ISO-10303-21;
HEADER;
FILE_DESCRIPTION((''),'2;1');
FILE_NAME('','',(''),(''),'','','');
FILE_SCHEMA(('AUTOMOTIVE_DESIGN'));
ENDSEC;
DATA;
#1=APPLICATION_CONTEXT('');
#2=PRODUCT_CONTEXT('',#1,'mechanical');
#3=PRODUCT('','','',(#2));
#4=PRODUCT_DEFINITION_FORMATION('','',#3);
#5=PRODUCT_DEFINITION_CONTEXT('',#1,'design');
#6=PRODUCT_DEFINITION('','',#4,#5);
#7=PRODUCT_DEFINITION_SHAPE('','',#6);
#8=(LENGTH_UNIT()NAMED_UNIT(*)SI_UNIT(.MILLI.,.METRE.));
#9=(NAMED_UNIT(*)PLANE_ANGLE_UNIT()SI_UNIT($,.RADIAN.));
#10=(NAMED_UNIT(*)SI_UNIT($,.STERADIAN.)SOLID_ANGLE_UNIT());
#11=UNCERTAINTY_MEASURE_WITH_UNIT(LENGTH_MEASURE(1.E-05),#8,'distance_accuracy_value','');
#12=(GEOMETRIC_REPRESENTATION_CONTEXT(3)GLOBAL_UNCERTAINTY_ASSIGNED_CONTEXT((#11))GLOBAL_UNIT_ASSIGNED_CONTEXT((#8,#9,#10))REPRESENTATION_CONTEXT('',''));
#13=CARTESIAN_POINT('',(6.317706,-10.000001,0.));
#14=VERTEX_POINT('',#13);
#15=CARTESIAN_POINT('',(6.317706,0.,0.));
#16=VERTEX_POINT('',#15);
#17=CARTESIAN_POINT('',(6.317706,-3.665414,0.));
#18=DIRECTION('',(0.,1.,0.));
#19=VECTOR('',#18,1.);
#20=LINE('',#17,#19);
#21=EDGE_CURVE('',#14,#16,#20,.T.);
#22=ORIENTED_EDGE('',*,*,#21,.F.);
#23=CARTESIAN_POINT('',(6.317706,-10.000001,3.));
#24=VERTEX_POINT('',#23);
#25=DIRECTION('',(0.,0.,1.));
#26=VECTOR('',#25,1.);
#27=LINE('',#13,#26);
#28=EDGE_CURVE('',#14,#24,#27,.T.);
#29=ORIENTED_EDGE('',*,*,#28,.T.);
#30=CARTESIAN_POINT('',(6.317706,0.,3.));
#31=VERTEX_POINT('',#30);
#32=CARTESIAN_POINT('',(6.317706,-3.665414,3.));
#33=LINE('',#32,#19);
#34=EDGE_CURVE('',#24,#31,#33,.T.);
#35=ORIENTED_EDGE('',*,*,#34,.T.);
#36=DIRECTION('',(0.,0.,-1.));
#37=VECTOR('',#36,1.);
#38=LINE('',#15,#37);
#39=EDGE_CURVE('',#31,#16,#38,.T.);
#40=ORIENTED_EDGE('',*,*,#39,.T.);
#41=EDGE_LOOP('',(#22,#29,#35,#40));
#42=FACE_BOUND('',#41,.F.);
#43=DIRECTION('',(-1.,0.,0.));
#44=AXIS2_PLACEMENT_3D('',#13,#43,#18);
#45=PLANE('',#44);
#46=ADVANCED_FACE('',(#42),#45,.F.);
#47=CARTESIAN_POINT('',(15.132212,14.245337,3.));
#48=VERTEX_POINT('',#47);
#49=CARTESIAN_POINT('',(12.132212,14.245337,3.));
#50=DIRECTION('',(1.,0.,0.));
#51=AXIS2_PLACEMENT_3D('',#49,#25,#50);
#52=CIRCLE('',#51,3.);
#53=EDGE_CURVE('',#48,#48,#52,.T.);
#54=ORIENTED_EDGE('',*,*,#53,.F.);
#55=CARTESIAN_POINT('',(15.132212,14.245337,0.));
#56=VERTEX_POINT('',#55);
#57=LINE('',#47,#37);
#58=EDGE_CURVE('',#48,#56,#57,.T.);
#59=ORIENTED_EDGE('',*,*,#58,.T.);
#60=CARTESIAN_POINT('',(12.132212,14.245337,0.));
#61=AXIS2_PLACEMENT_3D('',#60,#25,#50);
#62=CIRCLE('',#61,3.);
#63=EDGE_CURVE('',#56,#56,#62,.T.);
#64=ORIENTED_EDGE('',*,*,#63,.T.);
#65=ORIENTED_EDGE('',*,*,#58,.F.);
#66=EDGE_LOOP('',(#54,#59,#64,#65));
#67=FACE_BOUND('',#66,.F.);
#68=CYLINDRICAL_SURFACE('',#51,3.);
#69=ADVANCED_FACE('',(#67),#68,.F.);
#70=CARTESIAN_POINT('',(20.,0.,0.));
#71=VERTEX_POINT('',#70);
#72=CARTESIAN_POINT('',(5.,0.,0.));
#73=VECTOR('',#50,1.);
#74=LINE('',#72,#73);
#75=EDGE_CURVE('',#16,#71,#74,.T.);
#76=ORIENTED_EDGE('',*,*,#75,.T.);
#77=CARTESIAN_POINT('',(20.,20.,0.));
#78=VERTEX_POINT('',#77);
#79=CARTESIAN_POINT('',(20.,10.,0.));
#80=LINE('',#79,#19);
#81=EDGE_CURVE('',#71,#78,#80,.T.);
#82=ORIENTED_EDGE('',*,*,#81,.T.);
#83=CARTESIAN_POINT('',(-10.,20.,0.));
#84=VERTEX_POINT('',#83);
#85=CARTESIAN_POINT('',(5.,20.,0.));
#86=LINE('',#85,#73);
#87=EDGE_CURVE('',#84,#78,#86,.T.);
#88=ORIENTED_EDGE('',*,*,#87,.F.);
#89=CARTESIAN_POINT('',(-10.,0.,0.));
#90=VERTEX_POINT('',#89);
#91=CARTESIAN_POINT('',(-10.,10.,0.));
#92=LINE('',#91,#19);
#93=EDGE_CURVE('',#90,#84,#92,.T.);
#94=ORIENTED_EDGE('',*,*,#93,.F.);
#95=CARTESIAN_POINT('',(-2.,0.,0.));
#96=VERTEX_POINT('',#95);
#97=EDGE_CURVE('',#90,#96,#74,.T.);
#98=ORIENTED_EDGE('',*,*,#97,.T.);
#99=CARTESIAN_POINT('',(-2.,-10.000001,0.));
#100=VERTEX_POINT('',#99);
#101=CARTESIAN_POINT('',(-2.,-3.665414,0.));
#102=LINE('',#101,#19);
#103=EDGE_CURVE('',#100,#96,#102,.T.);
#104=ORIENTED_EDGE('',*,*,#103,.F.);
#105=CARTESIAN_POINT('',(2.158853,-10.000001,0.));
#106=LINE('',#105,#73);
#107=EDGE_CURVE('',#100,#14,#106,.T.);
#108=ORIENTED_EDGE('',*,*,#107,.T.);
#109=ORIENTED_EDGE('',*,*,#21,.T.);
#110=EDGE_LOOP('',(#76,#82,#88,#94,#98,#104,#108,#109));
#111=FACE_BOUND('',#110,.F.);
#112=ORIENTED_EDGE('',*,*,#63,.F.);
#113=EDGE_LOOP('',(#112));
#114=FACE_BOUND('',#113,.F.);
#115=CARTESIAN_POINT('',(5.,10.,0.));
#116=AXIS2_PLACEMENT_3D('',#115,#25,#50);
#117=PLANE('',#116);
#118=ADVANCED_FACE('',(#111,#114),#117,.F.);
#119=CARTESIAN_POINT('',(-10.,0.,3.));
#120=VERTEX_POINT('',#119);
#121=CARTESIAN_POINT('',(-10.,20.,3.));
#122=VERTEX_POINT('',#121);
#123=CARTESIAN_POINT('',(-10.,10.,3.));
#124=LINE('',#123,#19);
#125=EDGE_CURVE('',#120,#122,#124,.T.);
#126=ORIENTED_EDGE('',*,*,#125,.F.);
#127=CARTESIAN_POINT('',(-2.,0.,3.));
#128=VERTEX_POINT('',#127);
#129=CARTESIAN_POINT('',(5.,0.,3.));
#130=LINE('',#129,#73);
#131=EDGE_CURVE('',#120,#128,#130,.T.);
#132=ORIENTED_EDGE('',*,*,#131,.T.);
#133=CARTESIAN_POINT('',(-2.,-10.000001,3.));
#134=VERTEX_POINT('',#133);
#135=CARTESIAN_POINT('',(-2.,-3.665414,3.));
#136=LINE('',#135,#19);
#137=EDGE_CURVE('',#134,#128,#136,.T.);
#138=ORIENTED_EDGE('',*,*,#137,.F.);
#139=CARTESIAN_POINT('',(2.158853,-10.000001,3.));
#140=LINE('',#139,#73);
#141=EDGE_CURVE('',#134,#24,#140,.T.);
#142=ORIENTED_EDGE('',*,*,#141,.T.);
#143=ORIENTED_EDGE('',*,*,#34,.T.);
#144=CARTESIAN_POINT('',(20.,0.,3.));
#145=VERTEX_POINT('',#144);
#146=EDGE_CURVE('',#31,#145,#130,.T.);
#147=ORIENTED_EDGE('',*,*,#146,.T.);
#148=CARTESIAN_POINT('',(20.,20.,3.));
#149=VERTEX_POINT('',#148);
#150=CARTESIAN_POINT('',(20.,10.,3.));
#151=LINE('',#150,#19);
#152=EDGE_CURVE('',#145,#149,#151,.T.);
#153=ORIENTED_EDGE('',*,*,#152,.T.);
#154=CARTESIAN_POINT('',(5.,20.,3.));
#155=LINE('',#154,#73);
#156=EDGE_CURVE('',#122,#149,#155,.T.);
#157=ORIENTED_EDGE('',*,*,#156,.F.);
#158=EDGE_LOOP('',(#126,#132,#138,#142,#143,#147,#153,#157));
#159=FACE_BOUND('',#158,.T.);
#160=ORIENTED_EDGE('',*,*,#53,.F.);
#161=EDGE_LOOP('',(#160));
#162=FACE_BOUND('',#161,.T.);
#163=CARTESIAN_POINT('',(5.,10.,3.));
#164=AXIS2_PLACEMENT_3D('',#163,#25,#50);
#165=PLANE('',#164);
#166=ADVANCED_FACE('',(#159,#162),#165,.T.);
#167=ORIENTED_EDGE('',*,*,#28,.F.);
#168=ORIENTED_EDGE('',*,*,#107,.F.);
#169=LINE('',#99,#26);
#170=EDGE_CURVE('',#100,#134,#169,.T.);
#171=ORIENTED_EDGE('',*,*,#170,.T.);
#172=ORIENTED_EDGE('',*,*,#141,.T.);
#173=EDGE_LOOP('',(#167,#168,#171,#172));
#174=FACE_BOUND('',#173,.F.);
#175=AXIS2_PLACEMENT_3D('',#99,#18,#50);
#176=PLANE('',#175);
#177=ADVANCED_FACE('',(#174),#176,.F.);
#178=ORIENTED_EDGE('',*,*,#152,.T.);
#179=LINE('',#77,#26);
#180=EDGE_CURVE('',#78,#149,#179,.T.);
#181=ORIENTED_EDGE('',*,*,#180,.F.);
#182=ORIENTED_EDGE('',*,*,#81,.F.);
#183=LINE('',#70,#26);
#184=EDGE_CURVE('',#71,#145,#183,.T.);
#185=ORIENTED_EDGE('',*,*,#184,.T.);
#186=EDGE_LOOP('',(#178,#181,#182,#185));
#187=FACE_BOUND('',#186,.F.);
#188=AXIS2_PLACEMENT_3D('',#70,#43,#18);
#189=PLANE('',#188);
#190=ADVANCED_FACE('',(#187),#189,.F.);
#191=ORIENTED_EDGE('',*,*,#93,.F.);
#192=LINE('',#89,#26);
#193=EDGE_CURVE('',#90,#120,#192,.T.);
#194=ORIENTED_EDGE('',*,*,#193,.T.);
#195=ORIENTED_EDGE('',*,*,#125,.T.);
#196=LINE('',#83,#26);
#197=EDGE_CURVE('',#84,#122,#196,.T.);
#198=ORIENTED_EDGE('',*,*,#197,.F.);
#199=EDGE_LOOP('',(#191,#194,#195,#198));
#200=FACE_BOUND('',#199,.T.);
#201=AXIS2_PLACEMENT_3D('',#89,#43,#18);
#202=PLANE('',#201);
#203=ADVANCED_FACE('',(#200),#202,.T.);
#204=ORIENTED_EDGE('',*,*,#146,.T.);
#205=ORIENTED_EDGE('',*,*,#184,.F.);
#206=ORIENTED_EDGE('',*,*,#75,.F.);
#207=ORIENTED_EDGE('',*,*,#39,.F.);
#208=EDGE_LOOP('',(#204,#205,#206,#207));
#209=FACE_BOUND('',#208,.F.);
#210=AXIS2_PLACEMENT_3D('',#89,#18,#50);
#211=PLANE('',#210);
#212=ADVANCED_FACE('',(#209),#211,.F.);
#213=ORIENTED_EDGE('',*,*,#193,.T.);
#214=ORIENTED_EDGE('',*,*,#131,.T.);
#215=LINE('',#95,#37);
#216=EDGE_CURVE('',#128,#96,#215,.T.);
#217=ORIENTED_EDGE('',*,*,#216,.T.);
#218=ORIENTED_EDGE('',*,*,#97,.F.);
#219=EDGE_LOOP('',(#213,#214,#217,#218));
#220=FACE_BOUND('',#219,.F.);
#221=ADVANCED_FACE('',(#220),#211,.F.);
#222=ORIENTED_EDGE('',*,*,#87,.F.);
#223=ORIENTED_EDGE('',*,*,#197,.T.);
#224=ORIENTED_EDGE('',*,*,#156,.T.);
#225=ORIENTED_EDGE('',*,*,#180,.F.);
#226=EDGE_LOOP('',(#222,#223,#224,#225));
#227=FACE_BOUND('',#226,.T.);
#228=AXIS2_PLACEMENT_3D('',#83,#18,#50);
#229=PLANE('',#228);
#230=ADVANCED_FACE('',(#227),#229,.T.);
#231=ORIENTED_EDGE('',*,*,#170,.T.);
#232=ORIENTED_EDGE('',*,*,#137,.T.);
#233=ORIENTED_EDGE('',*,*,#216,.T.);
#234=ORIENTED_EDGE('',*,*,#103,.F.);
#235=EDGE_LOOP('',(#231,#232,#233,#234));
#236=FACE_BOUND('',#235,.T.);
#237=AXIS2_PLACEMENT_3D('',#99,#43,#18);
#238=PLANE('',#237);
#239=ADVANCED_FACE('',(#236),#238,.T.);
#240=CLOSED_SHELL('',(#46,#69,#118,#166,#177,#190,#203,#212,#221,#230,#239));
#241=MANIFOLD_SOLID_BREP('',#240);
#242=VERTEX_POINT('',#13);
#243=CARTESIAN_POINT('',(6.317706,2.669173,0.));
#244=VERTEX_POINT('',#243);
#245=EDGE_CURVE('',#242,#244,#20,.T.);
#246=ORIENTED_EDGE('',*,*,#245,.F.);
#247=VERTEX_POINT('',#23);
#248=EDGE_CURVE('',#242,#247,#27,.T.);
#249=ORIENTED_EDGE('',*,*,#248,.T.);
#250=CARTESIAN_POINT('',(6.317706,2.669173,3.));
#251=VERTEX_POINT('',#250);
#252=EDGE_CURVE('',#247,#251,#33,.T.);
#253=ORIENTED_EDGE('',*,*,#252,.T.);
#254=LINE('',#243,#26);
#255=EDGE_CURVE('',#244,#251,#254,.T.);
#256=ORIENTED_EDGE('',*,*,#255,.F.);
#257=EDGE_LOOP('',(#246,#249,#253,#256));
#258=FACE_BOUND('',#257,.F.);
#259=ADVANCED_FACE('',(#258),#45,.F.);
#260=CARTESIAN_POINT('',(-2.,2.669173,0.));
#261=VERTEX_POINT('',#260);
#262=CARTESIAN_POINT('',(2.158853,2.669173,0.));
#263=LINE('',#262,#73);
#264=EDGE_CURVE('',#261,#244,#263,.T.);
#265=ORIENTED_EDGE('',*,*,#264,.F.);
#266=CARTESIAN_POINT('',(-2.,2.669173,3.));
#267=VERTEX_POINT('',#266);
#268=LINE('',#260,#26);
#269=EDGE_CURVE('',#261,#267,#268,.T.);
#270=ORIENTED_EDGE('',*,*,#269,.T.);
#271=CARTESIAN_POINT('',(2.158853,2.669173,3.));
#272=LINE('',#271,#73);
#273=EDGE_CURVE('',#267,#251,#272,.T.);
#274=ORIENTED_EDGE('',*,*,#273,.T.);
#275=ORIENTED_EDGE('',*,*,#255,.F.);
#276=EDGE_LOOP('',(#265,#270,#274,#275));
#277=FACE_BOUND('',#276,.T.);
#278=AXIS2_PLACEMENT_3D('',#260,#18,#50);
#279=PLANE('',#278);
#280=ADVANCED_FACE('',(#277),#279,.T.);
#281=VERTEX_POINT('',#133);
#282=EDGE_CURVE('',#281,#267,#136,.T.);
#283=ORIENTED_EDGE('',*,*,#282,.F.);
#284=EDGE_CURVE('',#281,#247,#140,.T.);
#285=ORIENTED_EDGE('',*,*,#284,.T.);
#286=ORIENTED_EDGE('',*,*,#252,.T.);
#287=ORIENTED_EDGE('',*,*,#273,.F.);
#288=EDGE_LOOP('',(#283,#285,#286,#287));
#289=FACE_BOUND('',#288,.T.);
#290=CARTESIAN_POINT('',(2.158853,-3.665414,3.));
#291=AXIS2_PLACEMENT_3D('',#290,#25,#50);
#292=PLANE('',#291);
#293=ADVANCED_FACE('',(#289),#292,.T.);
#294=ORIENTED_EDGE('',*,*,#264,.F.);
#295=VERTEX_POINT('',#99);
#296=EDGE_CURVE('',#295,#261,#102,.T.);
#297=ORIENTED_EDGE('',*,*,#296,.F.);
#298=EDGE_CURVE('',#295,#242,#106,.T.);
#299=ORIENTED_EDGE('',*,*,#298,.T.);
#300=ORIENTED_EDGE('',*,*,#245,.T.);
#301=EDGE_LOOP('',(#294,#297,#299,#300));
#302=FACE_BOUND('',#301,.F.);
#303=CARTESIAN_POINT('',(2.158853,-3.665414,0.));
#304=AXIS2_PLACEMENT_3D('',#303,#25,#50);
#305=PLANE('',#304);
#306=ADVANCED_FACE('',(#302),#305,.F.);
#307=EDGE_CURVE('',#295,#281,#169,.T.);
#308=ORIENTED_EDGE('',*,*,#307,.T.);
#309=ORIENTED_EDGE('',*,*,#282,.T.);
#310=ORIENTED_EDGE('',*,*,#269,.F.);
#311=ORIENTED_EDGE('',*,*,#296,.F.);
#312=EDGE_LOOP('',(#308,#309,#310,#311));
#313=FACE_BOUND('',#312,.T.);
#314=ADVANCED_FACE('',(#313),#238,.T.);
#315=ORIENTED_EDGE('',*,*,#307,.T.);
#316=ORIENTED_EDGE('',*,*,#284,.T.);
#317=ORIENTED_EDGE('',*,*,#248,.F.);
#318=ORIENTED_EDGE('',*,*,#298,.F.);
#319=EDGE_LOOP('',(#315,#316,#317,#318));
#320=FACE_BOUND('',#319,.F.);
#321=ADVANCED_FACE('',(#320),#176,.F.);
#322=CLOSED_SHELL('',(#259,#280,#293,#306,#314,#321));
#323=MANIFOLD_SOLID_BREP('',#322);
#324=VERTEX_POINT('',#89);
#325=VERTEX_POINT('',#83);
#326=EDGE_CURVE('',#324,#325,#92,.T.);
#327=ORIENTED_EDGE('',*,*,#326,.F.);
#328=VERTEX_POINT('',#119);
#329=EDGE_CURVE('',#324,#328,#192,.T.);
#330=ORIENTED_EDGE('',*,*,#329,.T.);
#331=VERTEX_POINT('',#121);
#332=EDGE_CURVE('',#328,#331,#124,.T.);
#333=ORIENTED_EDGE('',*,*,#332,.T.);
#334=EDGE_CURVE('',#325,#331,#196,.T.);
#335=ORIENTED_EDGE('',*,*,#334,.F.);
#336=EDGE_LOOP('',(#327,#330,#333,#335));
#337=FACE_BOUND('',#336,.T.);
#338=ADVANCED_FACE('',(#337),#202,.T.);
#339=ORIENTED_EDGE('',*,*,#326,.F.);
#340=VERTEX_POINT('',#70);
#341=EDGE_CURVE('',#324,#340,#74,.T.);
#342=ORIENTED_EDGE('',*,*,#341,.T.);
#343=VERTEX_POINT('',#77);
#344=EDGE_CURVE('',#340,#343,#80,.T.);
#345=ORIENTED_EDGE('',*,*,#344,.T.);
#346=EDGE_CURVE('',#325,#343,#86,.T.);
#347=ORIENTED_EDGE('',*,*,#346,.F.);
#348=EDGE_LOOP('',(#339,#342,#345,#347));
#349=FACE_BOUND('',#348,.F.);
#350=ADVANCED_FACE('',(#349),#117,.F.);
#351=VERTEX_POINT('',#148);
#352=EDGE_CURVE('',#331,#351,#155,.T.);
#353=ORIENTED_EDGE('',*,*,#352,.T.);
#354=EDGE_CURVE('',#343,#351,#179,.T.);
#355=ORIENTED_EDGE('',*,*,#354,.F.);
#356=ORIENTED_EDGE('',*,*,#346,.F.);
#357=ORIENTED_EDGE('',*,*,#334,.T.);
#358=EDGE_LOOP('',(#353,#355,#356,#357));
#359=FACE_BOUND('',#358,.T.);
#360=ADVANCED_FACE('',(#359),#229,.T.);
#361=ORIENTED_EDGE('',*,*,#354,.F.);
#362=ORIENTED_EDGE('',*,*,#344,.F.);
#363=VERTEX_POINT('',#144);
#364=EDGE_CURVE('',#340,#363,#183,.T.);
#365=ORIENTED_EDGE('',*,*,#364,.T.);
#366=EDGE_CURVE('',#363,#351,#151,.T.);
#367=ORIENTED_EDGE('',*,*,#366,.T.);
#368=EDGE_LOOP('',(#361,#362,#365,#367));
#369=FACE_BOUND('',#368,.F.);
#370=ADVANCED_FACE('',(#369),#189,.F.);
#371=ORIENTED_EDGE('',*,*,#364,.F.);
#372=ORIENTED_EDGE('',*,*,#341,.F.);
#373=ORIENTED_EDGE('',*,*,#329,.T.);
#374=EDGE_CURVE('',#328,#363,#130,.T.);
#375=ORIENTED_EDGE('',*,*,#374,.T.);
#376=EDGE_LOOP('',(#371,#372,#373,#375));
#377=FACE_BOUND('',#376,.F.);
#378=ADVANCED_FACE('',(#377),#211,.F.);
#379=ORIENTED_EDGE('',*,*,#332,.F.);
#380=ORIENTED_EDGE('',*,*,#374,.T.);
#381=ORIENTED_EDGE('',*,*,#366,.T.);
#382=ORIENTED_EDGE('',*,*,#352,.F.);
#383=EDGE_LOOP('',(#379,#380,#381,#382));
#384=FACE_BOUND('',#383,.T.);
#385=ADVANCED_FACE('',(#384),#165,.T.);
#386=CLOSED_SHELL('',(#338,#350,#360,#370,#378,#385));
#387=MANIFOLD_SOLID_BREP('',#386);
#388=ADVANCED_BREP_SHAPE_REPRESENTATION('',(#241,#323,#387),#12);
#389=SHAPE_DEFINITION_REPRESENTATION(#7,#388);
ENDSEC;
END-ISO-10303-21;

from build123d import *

# Parameters (mm, degrees)
RECTANGLE_W      = 8.317706
RECTANGLE_H      = 12.669173
EXTRUDE_DEPTH    = 3
RECTANGLE001_W   = 30
RECTANGLE001_H   = 20
EXTRUDE001_DEPTH = 3
RECTANGLE002_W   = 30
RECTANGLE002_H   = 20
EXTRUDE002_DEPTH = 3
RECTANGLE003_W   = 8.317706
RECTANGLE003_H   = 12.669173
EXTRUDE003_DEPTH = 3
SKETCH_R         = 3
HOLE_DEPTH       = 25


with BuildPart() as extrude_body:
    # Rectangle → Extrude (new body)
    with BuildSketch(Plane(origin=(-2, -10, 0), x_dir=(1, 0, 0), z_dir=(0, 0, 1))):
        with Locations((4.158853, 6.334586)):
            Rectangle(RECTANGLE_W, RECTANGLE_H)
    extrude(amount=EXTRUDE_DEPTH)


with BuildPart() as extrude001:
    # Rectangle001 → Extrude001 (new body)
    with BuildSketch(Plane(origin=(-10, 0, 0), x_dir=(1, 0, 0), z_dir=(0, 0, 1))):
        with Locations((15, 10)):
            Rectangle(RECTANGLE001_W, RECTANGLE001_H)
    extrude(amount=EXTRUDE001_DEPTH)


with BuildPart() as extrude002:
    # Rectangle002 → Extrude002 (new body)
    with BuildSketch(Plane(origin=(-10, 0, 0), x_dir=(1, 0, 0), z_dir=(0, 0, 1))):
        with Locations((15, 10)):
            Rectangle(RECTANGLE002_W, RECTANGLE002_H)
    extrude(amount=EXTRUDE002_DEPTH)


with BuildPart() as body:
    # Rectangle003 → Extrude003 (new body)
    with BuildSketch(Plane(origin=(-2, -10, 0), x_dir=(1, 0, 0), z_dir=(0, 0, 1))):
        with Locations((4.158853, 6.334586)):
            Rectangle(RECTANGLE003_W, RECTANGLE003_H)
    extrude(amount=EXTRUDE003_DEPTH)

    # Fusion001: union Extrude002
    add(extrude002.part)

    # Sketch → Hole (cut)
    with BuildSketch(Plane.XY.offset(3)):
        with Locations((12.132212, 14.245337)):
            Circle(SKETCH_R)
    extrude(amount=-HOLE_DEPTH, mode=Mode.SUBTRACT)


solid = Compound([extrude_body.part, extrude001.part, body.part])
